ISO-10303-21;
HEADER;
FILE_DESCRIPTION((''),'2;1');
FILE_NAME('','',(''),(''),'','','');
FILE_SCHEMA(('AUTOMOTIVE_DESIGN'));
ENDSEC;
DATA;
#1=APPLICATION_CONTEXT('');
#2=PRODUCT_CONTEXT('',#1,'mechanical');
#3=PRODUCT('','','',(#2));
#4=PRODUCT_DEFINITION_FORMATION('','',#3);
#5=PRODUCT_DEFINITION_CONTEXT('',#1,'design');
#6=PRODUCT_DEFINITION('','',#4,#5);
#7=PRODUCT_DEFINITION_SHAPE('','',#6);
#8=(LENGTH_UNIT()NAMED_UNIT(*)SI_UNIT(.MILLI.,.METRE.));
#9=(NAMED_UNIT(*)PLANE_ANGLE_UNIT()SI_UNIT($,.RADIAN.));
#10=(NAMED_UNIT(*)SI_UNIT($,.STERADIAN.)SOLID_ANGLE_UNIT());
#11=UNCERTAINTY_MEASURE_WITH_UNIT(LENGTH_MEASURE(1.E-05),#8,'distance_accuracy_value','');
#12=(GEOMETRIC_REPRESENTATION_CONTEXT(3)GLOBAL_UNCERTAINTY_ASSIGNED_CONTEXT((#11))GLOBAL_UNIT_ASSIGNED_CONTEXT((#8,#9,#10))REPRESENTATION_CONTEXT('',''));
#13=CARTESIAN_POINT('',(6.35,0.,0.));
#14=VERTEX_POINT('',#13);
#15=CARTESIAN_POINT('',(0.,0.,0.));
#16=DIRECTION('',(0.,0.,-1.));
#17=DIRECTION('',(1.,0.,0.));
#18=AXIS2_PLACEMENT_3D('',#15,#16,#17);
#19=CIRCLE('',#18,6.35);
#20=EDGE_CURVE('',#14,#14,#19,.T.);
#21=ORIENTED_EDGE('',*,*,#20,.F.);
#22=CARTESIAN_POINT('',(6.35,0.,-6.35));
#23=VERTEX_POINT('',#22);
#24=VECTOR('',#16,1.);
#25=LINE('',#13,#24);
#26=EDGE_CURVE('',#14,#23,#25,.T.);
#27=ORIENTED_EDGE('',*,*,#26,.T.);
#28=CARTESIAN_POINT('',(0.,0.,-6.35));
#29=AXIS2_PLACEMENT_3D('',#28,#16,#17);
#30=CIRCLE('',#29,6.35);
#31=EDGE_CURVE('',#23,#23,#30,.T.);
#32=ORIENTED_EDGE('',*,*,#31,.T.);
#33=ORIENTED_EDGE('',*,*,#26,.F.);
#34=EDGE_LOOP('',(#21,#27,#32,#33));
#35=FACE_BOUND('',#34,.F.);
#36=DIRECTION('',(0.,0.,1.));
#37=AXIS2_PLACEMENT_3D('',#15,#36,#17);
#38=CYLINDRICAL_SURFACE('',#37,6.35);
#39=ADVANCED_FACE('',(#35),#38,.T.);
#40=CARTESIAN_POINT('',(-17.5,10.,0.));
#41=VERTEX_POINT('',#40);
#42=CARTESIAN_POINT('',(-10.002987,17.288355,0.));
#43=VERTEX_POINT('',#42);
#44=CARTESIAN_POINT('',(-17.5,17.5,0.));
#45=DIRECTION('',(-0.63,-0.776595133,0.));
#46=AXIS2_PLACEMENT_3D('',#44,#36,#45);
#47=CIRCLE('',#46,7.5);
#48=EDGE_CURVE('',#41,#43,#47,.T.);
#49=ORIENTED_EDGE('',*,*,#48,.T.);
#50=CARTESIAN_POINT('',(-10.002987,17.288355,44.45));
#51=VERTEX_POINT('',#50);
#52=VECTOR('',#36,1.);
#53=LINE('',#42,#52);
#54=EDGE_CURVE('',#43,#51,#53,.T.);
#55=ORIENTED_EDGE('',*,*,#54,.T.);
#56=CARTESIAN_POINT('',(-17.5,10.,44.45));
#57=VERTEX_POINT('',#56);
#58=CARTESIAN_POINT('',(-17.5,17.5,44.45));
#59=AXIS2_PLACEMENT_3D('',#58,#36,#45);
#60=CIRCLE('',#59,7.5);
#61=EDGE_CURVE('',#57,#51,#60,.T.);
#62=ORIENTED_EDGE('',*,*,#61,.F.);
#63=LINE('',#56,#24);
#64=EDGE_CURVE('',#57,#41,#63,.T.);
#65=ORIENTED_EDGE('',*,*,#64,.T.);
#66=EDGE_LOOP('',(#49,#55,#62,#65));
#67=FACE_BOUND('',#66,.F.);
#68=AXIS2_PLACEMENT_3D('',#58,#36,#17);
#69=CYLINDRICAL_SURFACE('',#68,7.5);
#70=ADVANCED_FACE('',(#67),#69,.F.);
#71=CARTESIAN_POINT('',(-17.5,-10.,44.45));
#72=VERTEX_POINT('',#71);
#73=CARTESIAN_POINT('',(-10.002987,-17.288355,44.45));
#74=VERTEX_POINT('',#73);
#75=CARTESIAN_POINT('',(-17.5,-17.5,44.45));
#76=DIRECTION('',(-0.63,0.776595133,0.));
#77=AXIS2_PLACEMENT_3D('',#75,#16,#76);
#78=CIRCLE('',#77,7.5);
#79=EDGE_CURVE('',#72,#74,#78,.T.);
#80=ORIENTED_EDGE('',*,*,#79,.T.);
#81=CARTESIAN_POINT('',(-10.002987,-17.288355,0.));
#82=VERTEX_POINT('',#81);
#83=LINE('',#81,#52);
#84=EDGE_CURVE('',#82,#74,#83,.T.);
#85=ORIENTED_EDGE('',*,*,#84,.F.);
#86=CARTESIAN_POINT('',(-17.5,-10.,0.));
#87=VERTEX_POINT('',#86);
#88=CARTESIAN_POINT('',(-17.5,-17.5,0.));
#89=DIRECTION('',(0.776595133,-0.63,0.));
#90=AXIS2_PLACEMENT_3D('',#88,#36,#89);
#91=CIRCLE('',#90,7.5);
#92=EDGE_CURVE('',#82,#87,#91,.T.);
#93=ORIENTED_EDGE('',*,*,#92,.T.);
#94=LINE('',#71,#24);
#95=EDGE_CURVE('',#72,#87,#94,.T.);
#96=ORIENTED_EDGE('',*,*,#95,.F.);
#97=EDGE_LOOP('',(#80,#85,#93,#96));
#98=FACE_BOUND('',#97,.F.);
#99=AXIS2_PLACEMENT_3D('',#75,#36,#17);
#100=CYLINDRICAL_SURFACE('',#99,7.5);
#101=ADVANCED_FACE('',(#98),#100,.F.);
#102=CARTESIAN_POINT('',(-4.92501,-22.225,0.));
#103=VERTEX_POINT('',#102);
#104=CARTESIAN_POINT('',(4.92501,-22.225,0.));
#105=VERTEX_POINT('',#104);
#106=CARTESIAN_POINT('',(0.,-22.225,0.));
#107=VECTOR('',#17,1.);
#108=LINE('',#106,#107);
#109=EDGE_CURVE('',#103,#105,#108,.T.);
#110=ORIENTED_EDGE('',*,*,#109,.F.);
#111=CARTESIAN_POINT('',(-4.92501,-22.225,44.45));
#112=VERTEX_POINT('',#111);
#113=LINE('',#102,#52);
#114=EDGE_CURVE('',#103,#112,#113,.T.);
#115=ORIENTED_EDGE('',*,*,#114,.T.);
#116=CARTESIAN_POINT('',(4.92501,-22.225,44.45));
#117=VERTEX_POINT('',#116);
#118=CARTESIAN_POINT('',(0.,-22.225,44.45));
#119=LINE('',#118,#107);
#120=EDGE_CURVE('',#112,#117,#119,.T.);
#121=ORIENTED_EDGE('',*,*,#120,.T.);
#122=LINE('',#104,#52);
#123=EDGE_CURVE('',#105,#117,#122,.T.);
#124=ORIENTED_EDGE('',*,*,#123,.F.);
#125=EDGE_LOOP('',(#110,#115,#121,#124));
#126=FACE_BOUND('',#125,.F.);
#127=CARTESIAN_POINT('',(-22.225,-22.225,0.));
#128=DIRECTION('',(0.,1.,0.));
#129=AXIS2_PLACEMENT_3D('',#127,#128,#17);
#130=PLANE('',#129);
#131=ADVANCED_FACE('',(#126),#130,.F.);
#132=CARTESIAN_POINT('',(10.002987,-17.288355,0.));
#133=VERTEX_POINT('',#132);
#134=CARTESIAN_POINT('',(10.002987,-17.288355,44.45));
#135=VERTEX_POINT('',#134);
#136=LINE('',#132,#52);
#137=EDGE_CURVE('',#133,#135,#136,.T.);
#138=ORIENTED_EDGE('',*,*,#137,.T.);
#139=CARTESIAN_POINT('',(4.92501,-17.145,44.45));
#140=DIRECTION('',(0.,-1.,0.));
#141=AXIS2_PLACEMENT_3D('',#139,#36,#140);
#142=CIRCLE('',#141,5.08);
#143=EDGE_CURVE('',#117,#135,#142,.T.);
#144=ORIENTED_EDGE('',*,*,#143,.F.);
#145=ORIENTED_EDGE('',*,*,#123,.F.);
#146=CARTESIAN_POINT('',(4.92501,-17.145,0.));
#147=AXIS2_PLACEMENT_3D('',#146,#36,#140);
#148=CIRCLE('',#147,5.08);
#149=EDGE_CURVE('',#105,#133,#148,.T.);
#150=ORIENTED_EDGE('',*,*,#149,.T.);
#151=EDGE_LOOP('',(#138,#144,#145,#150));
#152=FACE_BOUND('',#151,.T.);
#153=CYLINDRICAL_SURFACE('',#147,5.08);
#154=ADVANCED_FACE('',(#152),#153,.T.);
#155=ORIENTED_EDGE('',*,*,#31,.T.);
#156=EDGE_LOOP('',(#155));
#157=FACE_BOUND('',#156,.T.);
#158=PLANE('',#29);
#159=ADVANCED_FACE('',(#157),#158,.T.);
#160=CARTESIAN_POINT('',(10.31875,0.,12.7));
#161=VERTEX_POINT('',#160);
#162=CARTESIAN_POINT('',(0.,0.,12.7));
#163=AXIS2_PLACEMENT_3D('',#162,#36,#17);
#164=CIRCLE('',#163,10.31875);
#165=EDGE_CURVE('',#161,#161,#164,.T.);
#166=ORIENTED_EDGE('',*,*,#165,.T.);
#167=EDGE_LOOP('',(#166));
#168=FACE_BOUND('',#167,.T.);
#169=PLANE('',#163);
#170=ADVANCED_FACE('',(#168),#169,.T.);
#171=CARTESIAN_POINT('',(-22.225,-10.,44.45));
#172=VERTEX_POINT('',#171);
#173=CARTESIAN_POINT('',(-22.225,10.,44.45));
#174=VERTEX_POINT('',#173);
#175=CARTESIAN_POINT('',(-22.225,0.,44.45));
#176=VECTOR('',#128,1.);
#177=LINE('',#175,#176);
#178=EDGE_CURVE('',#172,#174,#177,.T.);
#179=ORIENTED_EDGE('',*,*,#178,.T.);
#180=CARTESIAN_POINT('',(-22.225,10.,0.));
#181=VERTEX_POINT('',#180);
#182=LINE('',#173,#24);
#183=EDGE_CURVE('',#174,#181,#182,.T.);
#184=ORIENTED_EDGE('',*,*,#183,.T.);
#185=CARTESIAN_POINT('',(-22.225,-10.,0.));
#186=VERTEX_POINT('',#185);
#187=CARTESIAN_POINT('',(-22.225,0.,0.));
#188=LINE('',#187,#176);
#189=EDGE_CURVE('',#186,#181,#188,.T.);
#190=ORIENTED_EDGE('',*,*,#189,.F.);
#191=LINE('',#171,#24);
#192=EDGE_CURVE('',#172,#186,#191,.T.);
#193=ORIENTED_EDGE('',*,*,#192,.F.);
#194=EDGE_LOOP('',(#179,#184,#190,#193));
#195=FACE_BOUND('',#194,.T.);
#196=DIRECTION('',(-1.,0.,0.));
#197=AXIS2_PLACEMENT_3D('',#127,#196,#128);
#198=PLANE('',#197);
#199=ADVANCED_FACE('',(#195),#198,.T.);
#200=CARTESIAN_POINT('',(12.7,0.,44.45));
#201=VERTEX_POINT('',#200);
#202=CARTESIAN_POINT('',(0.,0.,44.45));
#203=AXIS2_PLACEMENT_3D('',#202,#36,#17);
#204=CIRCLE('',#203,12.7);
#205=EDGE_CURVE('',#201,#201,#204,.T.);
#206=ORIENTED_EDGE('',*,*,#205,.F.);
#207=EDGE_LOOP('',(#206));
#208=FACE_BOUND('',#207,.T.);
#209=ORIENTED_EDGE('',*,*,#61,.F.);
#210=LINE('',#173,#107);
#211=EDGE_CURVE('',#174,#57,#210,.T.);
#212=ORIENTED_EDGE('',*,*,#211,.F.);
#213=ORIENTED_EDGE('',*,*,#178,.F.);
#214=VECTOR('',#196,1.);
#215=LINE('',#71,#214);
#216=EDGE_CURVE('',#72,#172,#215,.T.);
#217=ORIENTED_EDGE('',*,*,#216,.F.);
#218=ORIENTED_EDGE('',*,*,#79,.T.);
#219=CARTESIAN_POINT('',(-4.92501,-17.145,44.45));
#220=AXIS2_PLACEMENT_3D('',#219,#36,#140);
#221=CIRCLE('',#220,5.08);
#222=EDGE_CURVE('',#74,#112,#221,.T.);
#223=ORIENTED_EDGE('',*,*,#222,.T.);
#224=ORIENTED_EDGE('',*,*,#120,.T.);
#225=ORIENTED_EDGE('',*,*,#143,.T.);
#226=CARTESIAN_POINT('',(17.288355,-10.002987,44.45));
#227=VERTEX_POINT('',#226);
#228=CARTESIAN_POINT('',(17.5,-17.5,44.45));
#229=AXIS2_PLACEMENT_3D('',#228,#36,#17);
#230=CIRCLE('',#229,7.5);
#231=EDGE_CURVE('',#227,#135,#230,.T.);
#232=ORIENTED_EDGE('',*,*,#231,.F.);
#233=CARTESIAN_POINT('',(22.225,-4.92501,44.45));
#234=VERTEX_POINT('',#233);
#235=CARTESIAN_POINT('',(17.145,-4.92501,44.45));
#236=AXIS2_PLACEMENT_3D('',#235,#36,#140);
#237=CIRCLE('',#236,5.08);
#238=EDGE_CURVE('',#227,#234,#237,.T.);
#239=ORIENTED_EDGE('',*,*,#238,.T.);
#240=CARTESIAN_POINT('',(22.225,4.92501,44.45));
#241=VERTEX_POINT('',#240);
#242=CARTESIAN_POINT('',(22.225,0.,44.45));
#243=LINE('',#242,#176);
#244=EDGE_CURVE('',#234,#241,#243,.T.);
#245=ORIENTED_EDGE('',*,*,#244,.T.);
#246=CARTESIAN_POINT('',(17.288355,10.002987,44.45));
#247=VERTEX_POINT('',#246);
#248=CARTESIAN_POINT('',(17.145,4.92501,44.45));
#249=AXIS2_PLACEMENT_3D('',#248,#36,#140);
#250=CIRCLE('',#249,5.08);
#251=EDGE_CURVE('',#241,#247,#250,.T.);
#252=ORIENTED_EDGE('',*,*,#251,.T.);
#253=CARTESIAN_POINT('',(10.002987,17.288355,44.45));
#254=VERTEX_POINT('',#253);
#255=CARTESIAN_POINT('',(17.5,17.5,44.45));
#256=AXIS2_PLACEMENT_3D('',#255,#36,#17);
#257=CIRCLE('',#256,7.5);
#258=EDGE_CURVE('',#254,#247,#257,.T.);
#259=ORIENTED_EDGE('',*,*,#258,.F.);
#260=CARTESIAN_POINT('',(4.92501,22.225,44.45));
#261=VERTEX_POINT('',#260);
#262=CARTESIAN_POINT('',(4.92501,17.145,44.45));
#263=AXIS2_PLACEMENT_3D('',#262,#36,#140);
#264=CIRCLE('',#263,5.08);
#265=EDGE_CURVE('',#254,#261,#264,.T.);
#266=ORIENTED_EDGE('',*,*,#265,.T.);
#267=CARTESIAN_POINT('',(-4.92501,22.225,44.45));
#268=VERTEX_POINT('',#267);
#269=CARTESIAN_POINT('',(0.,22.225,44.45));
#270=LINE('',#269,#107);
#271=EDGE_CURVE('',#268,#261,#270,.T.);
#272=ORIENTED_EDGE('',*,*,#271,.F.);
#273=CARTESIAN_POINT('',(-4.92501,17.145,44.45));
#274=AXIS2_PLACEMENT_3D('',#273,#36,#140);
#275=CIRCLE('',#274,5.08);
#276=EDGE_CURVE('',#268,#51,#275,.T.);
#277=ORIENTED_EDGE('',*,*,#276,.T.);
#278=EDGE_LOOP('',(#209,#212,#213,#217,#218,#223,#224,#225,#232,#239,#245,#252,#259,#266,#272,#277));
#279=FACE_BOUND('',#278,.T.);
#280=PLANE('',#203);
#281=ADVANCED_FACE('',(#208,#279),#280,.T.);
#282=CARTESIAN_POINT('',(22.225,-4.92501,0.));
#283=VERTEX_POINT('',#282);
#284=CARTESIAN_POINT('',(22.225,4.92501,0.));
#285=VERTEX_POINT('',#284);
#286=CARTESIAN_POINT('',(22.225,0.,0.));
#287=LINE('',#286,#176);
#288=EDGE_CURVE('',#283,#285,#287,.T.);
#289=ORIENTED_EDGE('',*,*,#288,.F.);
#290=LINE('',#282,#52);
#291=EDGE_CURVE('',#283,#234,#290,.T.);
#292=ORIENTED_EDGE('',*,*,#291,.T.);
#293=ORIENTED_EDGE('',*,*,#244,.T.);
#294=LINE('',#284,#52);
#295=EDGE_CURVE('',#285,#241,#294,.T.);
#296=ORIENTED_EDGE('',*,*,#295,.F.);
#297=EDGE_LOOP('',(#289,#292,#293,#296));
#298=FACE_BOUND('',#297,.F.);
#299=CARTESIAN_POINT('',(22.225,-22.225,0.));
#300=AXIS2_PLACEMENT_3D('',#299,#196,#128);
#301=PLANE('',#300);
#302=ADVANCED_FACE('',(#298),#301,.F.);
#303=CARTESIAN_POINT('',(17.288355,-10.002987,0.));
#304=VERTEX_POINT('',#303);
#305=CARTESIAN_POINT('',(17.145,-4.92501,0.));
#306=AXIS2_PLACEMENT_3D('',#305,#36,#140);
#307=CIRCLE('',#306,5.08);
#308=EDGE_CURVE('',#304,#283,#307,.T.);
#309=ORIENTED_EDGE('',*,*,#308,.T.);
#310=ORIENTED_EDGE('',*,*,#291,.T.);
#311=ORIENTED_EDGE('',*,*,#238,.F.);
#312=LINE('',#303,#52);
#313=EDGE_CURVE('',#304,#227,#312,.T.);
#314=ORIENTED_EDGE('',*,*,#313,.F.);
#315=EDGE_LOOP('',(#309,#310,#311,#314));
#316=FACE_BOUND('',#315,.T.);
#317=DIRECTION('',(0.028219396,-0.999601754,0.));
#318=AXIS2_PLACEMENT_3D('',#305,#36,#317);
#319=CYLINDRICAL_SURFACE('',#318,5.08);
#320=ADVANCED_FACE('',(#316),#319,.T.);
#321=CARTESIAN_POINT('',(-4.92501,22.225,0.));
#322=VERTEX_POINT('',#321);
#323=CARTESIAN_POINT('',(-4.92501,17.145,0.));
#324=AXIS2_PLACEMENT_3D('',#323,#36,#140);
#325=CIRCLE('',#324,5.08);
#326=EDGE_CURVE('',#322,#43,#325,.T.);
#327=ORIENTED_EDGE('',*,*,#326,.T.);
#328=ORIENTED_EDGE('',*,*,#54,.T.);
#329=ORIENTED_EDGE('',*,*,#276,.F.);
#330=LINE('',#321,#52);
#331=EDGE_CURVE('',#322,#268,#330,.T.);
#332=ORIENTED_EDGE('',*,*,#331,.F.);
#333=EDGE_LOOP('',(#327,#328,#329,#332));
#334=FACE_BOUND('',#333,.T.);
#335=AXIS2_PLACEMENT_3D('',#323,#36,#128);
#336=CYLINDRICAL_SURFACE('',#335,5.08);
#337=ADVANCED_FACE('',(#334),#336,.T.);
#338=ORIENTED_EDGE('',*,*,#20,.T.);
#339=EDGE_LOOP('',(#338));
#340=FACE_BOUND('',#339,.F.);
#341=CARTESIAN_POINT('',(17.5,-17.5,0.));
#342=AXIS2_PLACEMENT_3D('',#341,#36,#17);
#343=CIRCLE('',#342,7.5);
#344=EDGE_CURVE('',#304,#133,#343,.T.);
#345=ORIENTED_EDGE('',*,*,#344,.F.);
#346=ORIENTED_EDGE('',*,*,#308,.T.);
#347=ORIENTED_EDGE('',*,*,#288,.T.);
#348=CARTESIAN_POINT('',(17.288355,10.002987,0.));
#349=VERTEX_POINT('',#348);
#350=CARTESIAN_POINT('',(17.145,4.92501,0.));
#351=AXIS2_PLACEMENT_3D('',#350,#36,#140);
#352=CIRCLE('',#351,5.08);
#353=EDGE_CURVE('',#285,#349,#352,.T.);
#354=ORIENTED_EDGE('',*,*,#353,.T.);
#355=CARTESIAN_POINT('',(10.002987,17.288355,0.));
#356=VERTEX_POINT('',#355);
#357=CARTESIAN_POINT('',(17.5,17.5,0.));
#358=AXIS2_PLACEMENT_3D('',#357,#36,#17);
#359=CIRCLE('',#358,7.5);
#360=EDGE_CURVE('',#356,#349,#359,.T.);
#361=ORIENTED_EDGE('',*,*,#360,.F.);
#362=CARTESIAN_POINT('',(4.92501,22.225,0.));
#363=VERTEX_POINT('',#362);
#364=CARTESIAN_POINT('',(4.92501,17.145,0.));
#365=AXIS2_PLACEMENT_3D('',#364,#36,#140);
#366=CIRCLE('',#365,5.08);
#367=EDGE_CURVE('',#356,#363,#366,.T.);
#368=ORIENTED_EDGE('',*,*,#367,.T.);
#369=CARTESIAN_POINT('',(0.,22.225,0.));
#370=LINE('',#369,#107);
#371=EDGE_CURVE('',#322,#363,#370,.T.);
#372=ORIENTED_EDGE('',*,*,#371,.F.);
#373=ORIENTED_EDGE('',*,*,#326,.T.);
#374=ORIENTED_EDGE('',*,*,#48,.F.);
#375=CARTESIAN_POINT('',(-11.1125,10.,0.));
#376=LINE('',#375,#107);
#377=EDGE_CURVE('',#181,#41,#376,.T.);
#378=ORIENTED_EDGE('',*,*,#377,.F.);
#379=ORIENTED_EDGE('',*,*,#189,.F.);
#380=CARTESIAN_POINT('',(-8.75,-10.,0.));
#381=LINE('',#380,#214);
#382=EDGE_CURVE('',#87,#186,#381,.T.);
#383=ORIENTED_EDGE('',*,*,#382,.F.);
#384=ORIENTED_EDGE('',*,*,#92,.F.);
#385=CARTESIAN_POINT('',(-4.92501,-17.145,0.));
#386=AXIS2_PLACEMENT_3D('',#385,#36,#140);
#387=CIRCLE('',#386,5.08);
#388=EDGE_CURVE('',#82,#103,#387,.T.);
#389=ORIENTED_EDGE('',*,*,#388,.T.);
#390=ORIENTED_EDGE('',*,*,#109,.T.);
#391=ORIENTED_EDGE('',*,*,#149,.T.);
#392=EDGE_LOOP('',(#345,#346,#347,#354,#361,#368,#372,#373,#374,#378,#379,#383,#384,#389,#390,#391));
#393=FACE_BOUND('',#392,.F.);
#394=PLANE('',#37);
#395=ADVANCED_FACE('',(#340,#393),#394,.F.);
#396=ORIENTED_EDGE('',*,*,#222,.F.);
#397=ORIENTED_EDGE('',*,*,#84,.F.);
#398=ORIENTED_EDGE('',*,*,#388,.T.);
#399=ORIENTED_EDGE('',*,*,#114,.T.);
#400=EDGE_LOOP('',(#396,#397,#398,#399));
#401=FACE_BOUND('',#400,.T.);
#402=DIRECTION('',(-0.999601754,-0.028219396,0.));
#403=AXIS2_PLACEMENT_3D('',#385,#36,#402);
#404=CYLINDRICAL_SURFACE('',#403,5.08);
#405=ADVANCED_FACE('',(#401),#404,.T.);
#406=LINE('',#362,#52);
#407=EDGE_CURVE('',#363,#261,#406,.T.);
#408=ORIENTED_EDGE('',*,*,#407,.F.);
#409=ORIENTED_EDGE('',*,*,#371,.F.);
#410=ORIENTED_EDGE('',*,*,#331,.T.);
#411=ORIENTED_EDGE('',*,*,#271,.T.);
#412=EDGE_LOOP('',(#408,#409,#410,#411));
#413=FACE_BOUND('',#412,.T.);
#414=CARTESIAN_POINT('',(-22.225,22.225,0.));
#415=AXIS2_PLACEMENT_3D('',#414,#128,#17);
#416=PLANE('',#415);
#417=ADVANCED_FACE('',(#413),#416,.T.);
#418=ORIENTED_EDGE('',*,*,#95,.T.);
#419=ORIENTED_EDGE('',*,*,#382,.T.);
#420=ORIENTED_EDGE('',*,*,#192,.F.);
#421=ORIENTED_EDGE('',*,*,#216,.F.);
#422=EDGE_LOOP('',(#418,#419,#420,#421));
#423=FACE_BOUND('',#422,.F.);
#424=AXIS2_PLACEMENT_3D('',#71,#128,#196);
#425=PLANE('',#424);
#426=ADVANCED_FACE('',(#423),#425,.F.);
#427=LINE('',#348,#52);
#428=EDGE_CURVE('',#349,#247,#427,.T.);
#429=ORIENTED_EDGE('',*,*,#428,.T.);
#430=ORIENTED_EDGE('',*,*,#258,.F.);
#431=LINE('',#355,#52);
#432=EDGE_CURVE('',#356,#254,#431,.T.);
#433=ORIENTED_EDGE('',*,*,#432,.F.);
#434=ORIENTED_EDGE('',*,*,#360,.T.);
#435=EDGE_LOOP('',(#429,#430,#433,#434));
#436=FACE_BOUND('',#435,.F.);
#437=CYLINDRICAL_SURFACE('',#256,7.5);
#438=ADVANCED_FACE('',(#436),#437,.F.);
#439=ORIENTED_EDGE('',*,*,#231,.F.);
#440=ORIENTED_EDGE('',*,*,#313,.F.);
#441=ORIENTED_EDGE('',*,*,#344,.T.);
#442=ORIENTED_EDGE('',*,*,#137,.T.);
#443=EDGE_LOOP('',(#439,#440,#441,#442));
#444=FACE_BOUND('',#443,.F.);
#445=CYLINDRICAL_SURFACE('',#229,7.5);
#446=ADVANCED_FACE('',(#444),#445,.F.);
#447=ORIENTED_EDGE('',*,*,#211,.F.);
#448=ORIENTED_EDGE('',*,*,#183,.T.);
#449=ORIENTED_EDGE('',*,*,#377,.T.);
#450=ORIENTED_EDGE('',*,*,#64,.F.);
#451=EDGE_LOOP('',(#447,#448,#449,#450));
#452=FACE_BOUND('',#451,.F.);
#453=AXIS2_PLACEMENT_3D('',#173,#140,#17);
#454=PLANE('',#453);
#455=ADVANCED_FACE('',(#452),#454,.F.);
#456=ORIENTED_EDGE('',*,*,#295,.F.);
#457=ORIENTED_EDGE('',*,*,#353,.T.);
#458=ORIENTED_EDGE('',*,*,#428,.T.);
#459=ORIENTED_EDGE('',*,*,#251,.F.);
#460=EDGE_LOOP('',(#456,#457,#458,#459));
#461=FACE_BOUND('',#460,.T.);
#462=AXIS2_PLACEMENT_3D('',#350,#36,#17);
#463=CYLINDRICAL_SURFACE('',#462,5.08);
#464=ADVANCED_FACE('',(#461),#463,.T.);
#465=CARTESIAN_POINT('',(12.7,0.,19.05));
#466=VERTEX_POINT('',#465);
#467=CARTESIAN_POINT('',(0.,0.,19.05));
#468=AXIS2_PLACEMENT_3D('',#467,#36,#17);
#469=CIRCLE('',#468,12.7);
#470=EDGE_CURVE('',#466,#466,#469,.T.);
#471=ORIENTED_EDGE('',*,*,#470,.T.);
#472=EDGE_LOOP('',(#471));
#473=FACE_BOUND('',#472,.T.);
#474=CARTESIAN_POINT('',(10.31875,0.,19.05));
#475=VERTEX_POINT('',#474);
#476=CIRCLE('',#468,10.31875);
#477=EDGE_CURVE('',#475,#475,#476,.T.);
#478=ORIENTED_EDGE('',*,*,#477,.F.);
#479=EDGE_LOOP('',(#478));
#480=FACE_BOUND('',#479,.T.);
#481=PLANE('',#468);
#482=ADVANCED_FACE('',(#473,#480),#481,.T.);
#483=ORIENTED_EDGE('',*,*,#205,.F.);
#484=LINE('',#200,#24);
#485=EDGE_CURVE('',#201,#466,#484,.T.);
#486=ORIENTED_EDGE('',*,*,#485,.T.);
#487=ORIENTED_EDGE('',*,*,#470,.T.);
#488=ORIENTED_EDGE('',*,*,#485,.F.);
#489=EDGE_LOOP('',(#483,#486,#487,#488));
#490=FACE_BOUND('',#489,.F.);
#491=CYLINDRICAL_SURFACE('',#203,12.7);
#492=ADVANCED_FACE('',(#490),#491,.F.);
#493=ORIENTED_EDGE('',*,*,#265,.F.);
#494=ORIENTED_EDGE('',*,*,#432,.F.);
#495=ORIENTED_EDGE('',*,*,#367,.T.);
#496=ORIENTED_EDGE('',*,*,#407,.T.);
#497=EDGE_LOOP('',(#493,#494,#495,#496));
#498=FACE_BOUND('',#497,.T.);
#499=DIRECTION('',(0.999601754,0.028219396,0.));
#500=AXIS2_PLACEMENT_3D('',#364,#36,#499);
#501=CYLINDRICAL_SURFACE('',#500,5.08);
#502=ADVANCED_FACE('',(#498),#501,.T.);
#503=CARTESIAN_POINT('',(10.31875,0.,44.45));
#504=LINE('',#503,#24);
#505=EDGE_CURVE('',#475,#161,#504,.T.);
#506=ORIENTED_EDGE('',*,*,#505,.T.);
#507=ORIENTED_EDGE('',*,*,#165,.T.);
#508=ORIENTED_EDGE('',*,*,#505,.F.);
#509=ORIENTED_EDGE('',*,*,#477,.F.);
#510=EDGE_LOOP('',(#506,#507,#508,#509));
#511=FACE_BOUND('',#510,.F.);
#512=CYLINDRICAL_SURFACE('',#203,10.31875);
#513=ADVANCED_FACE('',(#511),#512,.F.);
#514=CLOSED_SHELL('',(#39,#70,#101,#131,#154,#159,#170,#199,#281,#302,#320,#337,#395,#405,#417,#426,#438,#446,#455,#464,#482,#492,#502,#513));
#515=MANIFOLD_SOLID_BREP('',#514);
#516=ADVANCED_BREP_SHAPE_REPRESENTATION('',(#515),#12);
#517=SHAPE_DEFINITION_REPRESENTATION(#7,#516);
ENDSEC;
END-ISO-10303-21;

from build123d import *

# Parameters (mm, degrees)
F0_W      = 44.45
F0_H      = 44.45
F1_DEPTH  = 44.45
F2_R      = 10.31875
F3_DEPTH  = 31.75
F4_R      = 7.5
F5_DEPTH  = 50.8
F6_R      = 5.08
F8_DEPTH  = 50.8
F9_R      = 6.35
F10_DEPTH = 6.35
F11_R     = 12.7
F12_DEPTH = 25.4


with BuildPart() as f1:
    # F0 (on Top) → F1 (new body)
    with BuildSketch(Plane.XY):
        Rectangle(F0_W, F0_H)
    extrude(amount=F1_DEPTH)

    # F2 (on face) → F3 (cut)
    with BuildSketch(Plane.XY.offset(44.45)):
        Circle(F2_R)
    extrude(amount=-F3_DEPTH, mode=Mode.SUBTRACT)

    # F4 (on face) → F5 (cut)
    with BuildSketch(Plane.XY.offset(44.45)):
        with Locations((-17.5, 17.5)):
            Circle(F4_R)
        with Locations((17.5, 17.5)):
            Circle(F4_R)
        with Locations((17.5, -17.5)):
            Circle(F4_R)
        with Locations((-17.5, -17.5)):
            Circle(F4_R)
    extrude(amount=-F5_DEPTH, mode=Mode.SUBTRACT)

    # F6
    f6_edges = [f1.edges().sort_by_distance(p)[0] for p in [
        (-11.675537, -22.225, 22.225),
        (11.675537, -22.225, 22.225),
        (22.225, -11.675537, 22.225),
        (-11.675537, 22.225, 22.225),
        (11.675537, 22.225, 22.225),
        (22.225, 11.675537, 22.225),
    ]]
    fillet(f6_edges, radius=F6_R)

    # F7 (on face) → F8 (cut)
    with BuildSketch(Plane.XY.offset(44.45)):
        Polygon((-22.225, 10), (-17.5, 10), (-22.225, 11.6755365054), align=None)
        Polygon((-22.225, -12.5695262104), (-17.5, -10), (-22.225, -10), align=None)
    extrude(amount=-F8_DEPTH, mode=Mode.SUBTRACT)

    # F9 (on face) → F10 (join)
    with BuildSketch(Plane(origin=(0, 0, 0), x_dir=(1, 0, 0), z_dir=(0, 0, -1))):
        Circle(F9_R)
    extrude(amount=F10_DEPTH)

    # F11 (on face) → F12 (cut)
    with BuildSketch(Plane.XY.offset(44.45)):
        Circle(F11_R)
    extrude(amount=-F12_DEPTH, mode=Mode.SUBTRACT)


solid = f1.part
